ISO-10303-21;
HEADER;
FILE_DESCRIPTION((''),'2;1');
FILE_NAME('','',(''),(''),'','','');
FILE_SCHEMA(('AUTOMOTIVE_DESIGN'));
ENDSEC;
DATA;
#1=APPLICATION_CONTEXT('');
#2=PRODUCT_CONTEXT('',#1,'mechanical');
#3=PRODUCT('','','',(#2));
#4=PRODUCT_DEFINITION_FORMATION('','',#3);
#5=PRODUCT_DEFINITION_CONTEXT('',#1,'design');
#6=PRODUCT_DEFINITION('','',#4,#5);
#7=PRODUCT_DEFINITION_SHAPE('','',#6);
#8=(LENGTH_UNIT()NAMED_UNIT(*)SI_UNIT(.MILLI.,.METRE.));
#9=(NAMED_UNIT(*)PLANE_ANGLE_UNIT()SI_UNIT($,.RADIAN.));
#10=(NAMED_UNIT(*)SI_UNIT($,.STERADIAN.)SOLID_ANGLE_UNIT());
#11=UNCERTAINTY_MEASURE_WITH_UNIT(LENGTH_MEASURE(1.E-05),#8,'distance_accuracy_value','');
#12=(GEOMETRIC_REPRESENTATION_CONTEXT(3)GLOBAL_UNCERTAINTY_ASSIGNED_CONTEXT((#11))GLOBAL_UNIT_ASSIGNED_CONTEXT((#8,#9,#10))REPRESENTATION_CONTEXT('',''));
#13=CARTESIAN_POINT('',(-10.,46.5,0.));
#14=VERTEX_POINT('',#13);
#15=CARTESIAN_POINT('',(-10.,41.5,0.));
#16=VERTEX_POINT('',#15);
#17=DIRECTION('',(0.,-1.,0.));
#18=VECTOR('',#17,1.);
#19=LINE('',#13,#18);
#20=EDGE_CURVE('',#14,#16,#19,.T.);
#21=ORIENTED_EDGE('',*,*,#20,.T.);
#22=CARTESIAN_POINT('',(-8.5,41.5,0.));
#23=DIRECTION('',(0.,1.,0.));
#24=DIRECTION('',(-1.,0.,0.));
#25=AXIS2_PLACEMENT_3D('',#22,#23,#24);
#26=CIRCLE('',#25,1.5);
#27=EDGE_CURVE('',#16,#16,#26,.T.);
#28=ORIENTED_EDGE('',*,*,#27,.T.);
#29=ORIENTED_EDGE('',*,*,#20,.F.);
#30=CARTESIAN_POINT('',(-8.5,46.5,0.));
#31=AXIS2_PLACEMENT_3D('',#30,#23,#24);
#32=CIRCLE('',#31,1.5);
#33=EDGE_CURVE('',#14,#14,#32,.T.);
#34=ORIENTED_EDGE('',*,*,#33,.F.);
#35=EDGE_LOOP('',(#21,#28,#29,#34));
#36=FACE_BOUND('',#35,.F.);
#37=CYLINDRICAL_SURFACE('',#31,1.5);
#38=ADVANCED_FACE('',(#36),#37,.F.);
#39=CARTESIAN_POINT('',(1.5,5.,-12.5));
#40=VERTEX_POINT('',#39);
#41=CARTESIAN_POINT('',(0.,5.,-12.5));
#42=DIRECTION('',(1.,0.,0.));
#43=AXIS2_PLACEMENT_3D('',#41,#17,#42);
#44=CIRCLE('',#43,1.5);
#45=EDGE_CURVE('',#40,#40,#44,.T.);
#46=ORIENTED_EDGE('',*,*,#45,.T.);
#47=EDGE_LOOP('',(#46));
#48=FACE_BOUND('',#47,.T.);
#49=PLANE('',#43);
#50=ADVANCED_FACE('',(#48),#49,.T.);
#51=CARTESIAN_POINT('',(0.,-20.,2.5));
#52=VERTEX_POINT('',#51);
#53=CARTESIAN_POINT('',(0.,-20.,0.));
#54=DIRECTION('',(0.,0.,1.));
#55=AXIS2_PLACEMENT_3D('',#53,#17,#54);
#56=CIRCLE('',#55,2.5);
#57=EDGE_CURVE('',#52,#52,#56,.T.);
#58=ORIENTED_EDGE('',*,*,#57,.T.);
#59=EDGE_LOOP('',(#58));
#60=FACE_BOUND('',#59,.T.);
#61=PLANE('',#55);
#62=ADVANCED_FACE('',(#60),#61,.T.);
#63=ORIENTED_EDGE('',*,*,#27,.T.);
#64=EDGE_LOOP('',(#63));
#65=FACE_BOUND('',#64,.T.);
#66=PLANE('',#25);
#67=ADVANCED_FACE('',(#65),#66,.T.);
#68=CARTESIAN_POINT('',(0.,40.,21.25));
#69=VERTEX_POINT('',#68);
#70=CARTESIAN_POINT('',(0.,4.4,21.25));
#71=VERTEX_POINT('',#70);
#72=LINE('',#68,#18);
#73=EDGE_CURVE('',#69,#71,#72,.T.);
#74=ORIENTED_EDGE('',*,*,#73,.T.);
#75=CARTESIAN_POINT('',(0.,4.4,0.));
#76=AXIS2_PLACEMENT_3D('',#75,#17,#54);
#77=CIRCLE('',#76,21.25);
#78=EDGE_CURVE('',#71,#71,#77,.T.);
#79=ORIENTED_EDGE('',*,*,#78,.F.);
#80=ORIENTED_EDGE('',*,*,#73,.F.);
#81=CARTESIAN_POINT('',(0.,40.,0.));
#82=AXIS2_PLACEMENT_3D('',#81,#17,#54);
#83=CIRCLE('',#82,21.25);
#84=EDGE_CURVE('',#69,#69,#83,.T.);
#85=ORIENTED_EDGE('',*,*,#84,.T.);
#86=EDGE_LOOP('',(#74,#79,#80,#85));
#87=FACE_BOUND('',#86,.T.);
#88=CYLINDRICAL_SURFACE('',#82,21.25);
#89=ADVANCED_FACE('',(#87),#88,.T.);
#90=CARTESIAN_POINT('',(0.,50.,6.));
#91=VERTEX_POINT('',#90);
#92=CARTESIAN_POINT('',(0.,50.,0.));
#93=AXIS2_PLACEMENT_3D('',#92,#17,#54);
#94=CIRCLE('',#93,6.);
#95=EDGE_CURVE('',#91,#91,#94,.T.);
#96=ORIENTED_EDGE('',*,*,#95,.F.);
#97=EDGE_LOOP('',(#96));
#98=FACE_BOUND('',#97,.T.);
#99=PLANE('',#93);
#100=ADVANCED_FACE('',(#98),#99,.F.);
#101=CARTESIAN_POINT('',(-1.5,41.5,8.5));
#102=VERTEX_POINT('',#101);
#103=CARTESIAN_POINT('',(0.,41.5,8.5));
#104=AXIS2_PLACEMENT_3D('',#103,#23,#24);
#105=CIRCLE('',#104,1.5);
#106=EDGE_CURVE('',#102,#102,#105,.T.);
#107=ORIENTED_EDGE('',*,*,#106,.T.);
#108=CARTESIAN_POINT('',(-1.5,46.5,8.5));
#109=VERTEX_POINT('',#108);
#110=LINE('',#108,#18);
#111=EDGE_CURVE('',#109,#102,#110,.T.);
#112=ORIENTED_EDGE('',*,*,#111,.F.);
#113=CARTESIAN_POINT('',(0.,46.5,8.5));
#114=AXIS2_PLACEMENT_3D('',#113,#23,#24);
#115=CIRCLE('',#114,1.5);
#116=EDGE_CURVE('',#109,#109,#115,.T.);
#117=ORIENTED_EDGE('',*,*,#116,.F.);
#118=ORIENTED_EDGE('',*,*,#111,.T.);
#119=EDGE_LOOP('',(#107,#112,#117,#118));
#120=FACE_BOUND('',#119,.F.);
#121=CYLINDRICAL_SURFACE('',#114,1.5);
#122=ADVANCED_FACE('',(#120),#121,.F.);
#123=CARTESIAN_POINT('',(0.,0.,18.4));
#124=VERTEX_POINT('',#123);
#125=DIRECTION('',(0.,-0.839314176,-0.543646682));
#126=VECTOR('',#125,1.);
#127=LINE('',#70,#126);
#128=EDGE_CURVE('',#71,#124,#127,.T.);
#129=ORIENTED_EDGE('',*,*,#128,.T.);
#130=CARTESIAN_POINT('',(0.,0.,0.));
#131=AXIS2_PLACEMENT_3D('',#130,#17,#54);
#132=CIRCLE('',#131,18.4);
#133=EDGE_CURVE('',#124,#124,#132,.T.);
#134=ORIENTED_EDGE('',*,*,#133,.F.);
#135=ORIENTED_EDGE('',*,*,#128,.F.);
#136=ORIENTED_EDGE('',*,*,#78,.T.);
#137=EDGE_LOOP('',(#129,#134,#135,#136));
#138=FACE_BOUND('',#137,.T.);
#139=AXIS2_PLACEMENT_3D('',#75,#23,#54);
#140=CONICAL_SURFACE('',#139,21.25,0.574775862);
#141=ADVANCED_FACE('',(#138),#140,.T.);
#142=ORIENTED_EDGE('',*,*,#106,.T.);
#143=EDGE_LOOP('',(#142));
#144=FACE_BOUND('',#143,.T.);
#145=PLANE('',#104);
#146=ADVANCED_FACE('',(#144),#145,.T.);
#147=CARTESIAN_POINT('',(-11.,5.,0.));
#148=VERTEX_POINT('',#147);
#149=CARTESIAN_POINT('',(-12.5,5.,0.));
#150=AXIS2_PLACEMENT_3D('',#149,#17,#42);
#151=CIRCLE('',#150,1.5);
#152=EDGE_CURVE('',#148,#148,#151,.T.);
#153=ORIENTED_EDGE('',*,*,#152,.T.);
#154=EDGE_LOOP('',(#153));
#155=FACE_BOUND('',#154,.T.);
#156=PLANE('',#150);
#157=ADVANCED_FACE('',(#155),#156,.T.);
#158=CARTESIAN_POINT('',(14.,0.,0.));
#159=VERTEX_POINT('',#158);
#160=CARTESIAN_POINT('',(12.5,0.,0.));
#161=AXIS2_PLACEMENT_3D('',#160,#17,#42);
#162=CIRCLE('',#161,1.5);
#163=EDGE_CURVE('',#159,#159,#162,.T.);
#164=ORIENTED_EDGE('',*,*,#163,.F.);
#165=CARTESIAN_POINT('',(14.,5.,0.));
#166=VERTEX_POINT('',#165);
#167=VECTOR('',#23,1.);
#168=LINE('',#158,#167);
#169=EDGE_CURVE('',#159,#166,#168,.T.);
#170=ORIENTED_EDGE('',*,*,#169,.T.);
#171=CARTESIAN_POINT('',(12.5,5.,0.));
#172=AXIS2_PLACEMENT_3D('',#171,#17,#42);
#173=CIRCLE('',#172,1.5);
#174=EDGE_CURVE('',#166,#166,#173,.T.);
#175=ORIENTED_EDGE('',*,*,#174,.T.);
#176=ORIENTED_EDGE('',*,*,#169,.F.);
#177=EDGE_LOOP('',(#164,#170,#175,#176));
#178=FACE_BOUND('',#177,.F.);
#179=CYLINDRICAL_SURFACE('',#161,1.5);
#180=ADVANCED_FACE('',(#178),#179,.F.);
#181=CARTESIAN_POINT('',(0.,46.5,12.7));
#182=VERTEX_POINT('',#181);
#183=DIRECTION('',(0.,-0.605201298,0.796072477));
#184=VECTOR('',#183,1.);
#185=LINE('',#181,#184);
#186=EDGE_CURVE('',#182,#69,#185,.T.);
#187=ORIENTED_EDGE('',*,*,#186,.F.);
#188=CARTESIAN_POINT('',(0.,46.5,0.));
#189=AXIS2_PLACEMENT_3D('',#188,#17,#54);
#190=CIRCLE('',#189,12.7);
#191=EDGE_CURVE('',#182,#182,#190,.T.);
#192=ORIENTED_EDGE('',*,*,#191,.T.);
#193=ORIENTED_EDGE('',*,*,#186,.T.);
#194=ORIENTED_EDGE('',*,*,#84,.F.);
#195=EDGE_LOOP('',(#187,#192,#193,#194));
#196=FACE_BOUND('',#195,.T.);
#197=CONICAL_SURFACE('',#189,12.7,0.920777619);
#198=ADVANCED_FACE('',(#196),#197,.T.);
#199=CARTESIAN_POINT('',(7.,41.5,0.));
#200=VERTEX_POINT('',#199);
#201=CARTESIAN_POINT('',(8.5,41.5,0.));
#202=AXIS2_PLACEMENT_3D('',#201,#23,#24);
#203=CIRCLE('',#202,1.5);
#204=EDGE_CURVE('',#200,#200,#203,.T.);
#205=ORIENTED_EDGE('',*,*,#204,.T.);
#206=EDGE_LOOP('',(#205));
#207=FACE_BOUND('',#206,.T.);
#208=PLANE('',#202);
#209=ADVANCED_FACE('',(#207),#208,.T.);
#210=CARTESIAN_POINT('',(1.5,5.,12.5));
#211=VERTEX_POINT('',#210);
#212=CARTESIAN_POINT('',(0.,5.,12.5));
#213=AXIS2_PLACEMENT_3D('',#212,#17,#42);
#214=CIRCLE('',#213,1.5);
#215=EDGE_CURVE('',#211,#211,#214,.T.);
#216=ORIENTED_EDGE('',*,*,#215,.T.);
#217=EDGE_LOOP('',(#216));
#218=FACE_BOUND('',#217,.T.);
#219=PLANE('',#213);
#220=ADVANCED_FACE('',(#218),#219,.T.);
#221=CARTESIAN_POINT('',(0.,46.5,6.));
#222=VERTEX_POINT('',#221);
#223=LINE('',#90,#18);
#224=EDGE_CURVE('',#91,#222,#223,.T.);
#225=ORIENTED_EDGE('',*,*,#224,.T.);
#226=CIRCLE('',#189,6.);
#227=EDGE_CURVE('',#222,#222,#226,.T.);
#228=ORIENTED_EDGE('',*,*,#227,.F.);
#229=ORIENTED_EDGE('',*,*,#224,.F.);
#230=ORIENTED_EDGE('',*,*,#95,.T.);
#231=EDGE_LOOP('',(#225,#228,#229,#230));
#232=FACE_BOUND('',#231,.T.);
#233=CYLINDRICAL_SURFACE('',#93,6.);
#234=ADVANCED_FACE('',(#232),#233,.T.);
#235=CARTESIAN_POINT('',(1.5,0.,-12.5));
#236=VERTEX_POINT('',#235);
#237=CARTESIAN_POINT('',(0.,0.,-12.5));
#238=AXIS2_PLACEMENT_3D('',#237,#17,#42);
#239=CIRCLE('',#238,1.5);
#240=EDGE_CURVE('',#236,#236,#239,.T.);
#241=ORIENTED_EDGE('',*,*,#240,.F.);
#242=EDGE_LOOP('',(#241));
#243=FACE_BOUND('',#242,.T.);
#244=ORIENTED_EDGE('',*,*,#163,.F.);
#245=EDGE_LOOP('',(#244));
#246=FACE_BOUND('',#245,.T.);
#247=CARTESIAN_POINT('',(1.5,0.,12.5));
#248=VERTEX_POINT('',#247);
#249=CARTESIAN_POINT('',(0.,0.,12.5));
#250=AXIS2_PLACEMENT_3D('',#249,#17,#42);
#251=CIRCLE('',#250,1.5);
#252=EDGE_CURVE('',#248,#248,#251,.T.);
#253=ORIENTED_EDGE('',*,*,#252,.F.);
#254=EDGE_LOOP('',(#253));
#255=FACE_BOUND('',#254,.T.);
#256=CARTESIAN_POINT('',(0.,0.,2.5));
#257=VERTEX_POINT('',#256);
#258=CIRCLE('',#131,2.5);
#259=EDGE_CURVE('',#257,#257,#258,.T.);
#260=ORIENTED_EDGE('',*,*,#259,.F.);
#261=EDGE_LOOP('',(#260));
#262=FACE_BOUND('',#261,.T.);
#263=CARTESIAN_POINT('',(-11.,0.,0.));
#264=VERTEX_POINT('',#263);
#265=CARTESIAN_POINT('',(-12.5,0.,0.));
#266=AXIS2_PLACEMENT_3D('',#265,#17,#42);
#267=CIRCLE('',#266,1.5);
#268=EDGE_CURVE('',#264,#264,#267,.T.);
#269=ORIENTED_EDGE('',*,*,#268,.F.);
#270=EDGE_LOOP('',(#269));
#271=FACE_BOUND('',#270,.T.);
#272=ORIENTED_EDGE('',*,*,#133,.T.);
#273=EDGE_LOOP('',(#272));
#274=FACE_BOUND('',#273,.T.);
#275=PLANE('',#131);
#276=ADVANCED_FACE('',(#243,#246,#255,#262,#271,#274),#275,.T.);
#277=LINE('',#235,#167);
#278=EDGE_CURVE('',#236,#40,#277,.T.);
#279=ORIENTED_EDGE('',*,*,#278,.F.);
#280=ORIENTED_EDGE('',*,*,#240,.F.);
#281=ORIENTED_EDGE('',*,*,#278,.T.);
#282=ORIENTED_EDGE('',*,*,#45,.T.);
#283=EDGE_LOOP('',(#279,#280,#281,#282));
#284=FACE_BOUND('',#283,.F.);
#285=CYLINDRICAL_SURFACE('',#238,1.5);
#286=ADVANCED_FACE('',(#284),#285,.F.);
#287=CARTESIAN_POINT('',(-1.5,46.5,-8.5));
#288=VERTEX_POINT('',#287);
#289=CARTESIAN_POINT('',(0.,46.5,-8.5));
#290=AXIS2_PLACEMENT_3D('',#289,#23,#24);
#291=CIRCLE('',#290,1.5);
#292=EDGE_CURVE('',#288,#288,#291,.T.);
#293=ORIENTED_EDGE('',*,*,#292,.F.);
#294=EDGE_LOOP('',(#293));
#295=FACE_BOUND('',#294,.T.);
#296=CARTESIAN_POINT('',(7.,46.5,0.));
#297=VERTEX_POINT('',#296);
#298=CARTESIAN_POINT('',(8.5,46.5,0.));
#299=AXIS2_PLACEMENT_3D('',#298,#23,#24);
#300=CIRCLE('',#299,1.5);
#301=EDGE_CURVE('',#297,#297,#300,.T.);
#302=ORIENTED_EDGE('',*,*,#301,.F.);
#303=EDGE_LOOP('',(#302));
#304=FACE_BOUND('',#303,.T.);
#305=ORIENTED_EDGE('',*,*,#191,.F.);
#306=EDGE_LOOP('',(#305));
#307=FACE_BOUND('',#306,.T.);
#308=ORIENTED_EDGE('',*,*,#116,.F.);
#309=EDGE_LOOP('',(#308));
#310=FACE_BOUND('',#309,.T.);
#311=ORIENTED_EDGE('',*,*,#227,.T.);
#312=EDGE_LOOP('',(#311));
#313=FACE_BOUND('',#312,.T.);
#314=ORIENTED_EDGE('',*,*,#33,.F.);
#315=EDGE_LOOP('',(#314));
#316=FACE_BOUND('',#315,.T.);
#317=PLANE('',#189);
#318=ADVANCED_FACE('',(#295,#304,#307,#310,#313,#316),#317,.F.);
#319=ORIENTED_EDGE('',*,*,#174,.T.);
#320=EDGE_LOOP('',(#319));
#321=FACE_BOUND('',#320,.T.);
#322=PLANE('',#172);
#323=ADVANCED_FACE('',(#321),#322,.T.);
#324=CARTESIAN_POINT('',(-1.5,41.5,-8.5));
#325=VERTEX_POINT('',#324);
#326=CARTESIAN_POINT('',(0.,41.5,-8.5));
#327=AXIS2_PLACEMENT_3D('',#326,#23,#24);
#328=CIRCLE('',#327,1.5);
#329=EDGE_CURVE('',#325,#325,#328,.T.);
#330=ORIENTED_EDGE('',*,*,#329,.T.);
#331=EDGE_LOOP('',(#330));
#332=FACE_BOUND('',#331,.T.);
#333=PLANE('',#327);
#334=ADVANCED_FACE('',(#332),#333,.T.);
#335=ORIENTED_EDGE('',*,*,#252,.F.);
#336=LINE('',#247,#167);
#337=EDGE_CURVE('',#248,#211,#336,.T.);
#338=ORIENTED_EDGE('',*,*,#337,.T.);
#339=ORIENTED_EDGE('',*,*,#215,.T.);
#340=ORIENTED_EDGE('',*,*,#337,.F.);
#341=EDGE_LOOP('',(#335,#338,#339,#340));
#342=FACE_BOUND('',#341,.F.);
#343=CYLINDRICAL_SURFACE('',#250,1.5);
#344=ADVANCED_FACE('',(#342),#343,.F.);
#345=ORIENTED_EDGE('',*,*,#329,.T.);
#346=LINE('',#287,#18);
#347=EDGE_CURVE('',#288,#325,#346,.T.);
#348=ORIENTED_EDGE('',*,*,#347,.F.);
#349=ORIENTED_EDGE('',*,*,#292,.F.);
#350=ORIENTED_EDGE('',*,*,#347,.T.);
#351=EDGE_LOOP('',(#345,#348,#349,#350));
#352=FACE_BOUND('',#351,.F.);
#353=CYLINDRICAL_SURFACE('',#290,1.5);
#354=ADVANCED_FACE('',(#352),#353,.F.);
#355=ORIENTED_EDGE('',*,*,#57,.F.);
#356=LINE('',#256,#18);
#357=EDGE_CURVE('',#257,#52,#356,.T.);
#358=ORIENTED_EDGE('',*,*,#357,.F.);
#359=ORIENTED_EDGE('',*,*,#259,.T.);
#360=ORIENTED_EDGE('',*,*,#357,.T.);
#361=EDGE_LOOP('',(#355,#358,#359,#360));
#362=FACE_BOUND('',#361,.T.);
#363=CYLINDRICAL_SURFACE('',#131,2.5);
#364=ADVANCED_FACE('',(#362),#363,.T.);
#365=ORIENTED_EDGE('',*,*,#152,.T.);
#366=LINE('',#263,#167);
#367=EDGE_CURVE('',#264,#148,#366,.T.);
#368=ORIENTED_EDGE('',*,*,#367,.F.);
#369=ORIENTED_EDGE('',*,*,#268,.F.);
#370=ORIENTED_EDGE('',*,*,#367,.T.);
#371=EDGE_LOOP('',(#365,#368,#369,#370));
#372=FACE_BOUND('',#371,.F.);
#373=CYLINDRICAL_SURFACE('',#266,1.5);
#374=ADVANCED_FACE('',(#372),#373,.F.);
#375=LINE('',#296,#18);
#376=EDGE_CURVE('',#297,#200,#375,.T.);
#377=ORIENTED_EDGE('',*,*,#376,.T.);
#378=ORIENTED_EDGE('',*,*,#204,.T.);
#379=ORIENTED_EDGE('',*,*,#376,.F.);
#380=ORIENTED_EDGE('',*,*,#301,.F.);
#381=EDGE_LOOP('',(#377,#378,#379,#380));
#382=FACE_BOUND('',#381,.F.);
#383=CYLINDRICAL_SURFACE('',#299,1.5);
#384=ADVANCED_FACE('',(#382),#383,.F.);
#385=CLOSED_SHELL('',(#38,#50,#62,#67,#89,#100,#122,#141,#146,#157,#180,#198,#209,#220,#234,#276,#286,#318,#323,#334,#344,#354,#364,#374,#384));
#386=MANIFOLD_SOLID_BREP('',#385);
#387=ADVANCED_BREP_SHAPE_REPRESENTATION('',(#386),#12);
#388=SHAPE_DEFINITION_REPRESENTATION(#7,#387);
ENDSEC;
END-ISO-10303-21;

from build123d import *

# Parameters (mm, degrees)
F2_R     = 1.5
F3_DEPTH = 5
F4_R     = 1.5
F5_DEPTH = 5


with BuildPart() as f1:
    # F0 (on Right) → F1 (revolve)
    with BuildSketch(Plane.YZ):
        Polygon((-20, 2.5), (-20, 0), (50, 0), (50, 6), (46.5, 6), (46.5, 12.7), (40, 21.25), (4.4, 21.25), (0, 18.4), (0, 2.5), align=None)
    revolve(axis=Axis((0, 15, 0), (0, -1, 0)))

    # F2 (on face) → F3 (cut)
    with BuildSketch(Plane.XZ):
        with Locations((12.5, 0)):
            Circle(F2_R)
        with Locations((0, 12.5)):
            Circle(F2_R)
        with Locations((-12.5, 0)):
            Circle(F2_R)
        with Locations((0, -12.5)):
            Circle(F2_R)
    extrude(amount=-F3_DEPTH, mode=Mode.SUBTRACT)

    # F4 (on face) → F5 (cut)
    with BuildSketch(Plane(origin=(0, 46.5, 0), x_dir=(-1, 0, 0), z_dir=(0, 1, 0))):
        with Locations((8.5, 0)):
            Circle(F4_R)
        with Locations((0, 8.5)):
            Circle(F4_R)
        with Locations((-8.5, 0)):
            Circle(F4_R)
        with Locations((0, -8.5)):
            Circle(F4_R)
    extrude(amount=-F5_DEPTH, mode=Mode.SUBTRACT)


solid = f1.part
